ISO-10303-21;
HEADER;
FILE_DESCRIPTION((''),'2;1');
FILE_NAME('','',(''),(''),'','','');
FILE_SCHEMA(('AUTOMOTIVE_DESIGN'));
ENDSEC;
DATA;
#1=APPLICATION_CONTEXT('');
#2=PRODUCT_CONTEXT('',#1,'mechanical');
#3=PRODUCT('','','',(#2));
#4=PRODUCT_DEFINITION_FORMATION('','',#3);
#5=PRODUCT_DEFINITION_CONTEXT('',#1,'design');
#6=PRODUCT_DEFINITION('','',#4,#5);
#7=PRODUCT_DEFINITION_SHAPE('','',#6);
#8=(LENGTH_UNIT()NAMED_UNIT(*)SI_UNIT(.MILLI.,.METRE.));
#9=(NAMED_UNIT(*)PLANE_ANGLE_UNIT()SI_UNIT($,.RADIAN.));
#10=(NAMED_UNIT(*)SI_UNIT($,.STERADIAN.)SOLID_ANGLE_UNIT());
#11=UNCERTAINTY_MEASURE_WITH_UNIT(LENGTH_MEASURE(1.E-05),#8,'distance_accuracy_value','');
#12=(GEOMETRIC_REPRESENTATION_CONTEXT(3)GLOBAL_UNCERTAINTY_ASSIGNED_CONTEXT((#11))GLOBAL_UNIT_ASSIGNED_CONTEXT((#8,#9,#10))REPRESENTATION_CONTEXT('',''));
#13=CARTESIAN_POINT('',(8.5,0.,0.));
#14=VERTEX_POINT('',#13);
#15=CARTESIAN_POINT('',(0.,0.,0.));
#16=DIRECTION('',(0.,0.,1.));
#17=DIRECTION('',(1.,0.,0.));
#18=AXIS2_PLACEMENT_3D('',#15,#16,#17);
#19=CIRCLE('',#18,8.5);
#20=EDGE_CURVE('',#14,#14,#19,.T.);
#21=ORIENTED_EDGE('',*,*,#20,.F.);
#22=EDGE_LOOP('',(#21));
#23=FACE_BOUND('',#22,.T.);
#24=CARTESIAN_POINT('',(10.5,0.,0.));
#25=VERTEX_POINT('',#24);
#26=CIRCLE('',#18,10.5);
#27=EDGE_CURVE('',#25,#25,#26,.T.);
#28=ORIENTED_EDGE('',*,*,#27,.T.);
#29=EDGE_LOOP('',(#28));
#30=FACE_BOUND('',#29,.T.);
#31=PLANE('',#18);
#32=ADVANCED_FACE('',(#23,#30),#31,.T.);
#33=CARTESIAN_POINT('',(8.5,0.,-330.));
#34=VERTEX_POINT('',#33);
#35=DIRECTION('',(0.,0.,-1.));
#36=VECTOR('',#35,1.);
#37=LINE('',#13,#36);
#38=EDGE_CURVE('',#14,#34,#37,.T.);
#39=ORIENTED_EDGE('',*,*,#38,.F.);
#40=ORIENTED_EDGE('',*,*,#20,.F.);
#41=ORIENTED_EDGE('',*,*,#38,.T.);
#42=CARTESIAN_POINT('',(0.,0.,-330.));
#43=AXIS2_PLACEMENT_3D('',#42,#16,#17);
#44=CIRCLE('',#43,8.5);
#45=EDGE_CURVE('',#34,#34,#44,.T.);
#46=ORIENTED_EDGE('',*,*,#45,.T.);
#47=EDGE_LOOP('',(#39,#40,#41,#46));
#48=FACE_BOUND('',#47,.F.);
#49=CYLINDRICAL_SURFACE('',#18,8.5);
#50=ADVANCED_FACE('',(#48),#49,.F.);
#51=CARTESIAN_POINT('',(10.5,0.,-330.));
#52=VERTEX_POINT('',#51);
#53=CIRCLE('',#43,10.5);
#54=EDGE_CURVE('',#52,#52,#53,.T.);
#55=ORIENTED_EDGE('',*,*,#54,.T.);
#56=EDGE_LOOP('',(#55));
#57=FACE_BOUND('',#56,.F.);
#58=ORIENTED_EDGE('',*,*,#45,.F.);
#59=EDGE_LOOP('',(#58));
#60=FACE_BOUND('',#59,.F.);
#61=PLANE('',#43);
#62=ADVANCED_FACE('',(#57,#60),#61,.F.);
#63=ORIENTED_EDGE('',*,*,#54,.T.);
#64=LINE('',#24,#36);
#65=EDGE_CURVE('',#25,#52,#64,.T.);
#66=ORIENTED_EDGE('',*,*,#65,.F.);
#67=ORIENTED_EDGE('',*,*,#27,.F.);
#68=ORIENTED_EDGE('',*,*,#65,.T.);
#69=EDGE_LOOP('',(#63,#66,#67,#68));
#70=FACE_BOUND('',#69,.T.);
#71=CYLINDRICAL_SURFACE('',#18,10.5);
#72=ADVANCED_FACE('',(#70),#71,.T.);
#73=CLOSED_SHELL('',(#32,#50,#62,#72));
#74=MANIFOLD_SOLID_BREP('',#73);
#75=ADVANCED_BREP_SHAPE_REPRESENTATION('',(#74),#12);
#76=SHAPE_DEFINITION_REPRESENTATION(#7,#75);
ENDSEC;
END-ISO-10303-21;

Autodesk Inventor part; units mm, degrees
ref_plane "YZ Plane" through (0, 0, 0) normal (1, 0, 0) x (0, 1, 0)
ref_plane "XZ Plane" through (0, 0, 0) normal (0, 1, 0) x (-1, 0, 0)
ref_plane "XY Plane" through (0, 0, 0) normal (0, 0, 1) x (1, 0, 0)
sketch "Sketch11" plane through (0, 0, 0) normal (0, 0, 1) x (1, 0, 0)
  circle A0 centre (0, 0) radius 10.5
  circle A1 centre (0, 0) radius 8.5
  dimension "d187" = 21
  dimension "d188" = 2
extrude "Extrusion5" add sketch "Sketch11" against normal blind 330
properties part number "TKS 3543 FDS thread  tube3" material "Stainless Steel"
